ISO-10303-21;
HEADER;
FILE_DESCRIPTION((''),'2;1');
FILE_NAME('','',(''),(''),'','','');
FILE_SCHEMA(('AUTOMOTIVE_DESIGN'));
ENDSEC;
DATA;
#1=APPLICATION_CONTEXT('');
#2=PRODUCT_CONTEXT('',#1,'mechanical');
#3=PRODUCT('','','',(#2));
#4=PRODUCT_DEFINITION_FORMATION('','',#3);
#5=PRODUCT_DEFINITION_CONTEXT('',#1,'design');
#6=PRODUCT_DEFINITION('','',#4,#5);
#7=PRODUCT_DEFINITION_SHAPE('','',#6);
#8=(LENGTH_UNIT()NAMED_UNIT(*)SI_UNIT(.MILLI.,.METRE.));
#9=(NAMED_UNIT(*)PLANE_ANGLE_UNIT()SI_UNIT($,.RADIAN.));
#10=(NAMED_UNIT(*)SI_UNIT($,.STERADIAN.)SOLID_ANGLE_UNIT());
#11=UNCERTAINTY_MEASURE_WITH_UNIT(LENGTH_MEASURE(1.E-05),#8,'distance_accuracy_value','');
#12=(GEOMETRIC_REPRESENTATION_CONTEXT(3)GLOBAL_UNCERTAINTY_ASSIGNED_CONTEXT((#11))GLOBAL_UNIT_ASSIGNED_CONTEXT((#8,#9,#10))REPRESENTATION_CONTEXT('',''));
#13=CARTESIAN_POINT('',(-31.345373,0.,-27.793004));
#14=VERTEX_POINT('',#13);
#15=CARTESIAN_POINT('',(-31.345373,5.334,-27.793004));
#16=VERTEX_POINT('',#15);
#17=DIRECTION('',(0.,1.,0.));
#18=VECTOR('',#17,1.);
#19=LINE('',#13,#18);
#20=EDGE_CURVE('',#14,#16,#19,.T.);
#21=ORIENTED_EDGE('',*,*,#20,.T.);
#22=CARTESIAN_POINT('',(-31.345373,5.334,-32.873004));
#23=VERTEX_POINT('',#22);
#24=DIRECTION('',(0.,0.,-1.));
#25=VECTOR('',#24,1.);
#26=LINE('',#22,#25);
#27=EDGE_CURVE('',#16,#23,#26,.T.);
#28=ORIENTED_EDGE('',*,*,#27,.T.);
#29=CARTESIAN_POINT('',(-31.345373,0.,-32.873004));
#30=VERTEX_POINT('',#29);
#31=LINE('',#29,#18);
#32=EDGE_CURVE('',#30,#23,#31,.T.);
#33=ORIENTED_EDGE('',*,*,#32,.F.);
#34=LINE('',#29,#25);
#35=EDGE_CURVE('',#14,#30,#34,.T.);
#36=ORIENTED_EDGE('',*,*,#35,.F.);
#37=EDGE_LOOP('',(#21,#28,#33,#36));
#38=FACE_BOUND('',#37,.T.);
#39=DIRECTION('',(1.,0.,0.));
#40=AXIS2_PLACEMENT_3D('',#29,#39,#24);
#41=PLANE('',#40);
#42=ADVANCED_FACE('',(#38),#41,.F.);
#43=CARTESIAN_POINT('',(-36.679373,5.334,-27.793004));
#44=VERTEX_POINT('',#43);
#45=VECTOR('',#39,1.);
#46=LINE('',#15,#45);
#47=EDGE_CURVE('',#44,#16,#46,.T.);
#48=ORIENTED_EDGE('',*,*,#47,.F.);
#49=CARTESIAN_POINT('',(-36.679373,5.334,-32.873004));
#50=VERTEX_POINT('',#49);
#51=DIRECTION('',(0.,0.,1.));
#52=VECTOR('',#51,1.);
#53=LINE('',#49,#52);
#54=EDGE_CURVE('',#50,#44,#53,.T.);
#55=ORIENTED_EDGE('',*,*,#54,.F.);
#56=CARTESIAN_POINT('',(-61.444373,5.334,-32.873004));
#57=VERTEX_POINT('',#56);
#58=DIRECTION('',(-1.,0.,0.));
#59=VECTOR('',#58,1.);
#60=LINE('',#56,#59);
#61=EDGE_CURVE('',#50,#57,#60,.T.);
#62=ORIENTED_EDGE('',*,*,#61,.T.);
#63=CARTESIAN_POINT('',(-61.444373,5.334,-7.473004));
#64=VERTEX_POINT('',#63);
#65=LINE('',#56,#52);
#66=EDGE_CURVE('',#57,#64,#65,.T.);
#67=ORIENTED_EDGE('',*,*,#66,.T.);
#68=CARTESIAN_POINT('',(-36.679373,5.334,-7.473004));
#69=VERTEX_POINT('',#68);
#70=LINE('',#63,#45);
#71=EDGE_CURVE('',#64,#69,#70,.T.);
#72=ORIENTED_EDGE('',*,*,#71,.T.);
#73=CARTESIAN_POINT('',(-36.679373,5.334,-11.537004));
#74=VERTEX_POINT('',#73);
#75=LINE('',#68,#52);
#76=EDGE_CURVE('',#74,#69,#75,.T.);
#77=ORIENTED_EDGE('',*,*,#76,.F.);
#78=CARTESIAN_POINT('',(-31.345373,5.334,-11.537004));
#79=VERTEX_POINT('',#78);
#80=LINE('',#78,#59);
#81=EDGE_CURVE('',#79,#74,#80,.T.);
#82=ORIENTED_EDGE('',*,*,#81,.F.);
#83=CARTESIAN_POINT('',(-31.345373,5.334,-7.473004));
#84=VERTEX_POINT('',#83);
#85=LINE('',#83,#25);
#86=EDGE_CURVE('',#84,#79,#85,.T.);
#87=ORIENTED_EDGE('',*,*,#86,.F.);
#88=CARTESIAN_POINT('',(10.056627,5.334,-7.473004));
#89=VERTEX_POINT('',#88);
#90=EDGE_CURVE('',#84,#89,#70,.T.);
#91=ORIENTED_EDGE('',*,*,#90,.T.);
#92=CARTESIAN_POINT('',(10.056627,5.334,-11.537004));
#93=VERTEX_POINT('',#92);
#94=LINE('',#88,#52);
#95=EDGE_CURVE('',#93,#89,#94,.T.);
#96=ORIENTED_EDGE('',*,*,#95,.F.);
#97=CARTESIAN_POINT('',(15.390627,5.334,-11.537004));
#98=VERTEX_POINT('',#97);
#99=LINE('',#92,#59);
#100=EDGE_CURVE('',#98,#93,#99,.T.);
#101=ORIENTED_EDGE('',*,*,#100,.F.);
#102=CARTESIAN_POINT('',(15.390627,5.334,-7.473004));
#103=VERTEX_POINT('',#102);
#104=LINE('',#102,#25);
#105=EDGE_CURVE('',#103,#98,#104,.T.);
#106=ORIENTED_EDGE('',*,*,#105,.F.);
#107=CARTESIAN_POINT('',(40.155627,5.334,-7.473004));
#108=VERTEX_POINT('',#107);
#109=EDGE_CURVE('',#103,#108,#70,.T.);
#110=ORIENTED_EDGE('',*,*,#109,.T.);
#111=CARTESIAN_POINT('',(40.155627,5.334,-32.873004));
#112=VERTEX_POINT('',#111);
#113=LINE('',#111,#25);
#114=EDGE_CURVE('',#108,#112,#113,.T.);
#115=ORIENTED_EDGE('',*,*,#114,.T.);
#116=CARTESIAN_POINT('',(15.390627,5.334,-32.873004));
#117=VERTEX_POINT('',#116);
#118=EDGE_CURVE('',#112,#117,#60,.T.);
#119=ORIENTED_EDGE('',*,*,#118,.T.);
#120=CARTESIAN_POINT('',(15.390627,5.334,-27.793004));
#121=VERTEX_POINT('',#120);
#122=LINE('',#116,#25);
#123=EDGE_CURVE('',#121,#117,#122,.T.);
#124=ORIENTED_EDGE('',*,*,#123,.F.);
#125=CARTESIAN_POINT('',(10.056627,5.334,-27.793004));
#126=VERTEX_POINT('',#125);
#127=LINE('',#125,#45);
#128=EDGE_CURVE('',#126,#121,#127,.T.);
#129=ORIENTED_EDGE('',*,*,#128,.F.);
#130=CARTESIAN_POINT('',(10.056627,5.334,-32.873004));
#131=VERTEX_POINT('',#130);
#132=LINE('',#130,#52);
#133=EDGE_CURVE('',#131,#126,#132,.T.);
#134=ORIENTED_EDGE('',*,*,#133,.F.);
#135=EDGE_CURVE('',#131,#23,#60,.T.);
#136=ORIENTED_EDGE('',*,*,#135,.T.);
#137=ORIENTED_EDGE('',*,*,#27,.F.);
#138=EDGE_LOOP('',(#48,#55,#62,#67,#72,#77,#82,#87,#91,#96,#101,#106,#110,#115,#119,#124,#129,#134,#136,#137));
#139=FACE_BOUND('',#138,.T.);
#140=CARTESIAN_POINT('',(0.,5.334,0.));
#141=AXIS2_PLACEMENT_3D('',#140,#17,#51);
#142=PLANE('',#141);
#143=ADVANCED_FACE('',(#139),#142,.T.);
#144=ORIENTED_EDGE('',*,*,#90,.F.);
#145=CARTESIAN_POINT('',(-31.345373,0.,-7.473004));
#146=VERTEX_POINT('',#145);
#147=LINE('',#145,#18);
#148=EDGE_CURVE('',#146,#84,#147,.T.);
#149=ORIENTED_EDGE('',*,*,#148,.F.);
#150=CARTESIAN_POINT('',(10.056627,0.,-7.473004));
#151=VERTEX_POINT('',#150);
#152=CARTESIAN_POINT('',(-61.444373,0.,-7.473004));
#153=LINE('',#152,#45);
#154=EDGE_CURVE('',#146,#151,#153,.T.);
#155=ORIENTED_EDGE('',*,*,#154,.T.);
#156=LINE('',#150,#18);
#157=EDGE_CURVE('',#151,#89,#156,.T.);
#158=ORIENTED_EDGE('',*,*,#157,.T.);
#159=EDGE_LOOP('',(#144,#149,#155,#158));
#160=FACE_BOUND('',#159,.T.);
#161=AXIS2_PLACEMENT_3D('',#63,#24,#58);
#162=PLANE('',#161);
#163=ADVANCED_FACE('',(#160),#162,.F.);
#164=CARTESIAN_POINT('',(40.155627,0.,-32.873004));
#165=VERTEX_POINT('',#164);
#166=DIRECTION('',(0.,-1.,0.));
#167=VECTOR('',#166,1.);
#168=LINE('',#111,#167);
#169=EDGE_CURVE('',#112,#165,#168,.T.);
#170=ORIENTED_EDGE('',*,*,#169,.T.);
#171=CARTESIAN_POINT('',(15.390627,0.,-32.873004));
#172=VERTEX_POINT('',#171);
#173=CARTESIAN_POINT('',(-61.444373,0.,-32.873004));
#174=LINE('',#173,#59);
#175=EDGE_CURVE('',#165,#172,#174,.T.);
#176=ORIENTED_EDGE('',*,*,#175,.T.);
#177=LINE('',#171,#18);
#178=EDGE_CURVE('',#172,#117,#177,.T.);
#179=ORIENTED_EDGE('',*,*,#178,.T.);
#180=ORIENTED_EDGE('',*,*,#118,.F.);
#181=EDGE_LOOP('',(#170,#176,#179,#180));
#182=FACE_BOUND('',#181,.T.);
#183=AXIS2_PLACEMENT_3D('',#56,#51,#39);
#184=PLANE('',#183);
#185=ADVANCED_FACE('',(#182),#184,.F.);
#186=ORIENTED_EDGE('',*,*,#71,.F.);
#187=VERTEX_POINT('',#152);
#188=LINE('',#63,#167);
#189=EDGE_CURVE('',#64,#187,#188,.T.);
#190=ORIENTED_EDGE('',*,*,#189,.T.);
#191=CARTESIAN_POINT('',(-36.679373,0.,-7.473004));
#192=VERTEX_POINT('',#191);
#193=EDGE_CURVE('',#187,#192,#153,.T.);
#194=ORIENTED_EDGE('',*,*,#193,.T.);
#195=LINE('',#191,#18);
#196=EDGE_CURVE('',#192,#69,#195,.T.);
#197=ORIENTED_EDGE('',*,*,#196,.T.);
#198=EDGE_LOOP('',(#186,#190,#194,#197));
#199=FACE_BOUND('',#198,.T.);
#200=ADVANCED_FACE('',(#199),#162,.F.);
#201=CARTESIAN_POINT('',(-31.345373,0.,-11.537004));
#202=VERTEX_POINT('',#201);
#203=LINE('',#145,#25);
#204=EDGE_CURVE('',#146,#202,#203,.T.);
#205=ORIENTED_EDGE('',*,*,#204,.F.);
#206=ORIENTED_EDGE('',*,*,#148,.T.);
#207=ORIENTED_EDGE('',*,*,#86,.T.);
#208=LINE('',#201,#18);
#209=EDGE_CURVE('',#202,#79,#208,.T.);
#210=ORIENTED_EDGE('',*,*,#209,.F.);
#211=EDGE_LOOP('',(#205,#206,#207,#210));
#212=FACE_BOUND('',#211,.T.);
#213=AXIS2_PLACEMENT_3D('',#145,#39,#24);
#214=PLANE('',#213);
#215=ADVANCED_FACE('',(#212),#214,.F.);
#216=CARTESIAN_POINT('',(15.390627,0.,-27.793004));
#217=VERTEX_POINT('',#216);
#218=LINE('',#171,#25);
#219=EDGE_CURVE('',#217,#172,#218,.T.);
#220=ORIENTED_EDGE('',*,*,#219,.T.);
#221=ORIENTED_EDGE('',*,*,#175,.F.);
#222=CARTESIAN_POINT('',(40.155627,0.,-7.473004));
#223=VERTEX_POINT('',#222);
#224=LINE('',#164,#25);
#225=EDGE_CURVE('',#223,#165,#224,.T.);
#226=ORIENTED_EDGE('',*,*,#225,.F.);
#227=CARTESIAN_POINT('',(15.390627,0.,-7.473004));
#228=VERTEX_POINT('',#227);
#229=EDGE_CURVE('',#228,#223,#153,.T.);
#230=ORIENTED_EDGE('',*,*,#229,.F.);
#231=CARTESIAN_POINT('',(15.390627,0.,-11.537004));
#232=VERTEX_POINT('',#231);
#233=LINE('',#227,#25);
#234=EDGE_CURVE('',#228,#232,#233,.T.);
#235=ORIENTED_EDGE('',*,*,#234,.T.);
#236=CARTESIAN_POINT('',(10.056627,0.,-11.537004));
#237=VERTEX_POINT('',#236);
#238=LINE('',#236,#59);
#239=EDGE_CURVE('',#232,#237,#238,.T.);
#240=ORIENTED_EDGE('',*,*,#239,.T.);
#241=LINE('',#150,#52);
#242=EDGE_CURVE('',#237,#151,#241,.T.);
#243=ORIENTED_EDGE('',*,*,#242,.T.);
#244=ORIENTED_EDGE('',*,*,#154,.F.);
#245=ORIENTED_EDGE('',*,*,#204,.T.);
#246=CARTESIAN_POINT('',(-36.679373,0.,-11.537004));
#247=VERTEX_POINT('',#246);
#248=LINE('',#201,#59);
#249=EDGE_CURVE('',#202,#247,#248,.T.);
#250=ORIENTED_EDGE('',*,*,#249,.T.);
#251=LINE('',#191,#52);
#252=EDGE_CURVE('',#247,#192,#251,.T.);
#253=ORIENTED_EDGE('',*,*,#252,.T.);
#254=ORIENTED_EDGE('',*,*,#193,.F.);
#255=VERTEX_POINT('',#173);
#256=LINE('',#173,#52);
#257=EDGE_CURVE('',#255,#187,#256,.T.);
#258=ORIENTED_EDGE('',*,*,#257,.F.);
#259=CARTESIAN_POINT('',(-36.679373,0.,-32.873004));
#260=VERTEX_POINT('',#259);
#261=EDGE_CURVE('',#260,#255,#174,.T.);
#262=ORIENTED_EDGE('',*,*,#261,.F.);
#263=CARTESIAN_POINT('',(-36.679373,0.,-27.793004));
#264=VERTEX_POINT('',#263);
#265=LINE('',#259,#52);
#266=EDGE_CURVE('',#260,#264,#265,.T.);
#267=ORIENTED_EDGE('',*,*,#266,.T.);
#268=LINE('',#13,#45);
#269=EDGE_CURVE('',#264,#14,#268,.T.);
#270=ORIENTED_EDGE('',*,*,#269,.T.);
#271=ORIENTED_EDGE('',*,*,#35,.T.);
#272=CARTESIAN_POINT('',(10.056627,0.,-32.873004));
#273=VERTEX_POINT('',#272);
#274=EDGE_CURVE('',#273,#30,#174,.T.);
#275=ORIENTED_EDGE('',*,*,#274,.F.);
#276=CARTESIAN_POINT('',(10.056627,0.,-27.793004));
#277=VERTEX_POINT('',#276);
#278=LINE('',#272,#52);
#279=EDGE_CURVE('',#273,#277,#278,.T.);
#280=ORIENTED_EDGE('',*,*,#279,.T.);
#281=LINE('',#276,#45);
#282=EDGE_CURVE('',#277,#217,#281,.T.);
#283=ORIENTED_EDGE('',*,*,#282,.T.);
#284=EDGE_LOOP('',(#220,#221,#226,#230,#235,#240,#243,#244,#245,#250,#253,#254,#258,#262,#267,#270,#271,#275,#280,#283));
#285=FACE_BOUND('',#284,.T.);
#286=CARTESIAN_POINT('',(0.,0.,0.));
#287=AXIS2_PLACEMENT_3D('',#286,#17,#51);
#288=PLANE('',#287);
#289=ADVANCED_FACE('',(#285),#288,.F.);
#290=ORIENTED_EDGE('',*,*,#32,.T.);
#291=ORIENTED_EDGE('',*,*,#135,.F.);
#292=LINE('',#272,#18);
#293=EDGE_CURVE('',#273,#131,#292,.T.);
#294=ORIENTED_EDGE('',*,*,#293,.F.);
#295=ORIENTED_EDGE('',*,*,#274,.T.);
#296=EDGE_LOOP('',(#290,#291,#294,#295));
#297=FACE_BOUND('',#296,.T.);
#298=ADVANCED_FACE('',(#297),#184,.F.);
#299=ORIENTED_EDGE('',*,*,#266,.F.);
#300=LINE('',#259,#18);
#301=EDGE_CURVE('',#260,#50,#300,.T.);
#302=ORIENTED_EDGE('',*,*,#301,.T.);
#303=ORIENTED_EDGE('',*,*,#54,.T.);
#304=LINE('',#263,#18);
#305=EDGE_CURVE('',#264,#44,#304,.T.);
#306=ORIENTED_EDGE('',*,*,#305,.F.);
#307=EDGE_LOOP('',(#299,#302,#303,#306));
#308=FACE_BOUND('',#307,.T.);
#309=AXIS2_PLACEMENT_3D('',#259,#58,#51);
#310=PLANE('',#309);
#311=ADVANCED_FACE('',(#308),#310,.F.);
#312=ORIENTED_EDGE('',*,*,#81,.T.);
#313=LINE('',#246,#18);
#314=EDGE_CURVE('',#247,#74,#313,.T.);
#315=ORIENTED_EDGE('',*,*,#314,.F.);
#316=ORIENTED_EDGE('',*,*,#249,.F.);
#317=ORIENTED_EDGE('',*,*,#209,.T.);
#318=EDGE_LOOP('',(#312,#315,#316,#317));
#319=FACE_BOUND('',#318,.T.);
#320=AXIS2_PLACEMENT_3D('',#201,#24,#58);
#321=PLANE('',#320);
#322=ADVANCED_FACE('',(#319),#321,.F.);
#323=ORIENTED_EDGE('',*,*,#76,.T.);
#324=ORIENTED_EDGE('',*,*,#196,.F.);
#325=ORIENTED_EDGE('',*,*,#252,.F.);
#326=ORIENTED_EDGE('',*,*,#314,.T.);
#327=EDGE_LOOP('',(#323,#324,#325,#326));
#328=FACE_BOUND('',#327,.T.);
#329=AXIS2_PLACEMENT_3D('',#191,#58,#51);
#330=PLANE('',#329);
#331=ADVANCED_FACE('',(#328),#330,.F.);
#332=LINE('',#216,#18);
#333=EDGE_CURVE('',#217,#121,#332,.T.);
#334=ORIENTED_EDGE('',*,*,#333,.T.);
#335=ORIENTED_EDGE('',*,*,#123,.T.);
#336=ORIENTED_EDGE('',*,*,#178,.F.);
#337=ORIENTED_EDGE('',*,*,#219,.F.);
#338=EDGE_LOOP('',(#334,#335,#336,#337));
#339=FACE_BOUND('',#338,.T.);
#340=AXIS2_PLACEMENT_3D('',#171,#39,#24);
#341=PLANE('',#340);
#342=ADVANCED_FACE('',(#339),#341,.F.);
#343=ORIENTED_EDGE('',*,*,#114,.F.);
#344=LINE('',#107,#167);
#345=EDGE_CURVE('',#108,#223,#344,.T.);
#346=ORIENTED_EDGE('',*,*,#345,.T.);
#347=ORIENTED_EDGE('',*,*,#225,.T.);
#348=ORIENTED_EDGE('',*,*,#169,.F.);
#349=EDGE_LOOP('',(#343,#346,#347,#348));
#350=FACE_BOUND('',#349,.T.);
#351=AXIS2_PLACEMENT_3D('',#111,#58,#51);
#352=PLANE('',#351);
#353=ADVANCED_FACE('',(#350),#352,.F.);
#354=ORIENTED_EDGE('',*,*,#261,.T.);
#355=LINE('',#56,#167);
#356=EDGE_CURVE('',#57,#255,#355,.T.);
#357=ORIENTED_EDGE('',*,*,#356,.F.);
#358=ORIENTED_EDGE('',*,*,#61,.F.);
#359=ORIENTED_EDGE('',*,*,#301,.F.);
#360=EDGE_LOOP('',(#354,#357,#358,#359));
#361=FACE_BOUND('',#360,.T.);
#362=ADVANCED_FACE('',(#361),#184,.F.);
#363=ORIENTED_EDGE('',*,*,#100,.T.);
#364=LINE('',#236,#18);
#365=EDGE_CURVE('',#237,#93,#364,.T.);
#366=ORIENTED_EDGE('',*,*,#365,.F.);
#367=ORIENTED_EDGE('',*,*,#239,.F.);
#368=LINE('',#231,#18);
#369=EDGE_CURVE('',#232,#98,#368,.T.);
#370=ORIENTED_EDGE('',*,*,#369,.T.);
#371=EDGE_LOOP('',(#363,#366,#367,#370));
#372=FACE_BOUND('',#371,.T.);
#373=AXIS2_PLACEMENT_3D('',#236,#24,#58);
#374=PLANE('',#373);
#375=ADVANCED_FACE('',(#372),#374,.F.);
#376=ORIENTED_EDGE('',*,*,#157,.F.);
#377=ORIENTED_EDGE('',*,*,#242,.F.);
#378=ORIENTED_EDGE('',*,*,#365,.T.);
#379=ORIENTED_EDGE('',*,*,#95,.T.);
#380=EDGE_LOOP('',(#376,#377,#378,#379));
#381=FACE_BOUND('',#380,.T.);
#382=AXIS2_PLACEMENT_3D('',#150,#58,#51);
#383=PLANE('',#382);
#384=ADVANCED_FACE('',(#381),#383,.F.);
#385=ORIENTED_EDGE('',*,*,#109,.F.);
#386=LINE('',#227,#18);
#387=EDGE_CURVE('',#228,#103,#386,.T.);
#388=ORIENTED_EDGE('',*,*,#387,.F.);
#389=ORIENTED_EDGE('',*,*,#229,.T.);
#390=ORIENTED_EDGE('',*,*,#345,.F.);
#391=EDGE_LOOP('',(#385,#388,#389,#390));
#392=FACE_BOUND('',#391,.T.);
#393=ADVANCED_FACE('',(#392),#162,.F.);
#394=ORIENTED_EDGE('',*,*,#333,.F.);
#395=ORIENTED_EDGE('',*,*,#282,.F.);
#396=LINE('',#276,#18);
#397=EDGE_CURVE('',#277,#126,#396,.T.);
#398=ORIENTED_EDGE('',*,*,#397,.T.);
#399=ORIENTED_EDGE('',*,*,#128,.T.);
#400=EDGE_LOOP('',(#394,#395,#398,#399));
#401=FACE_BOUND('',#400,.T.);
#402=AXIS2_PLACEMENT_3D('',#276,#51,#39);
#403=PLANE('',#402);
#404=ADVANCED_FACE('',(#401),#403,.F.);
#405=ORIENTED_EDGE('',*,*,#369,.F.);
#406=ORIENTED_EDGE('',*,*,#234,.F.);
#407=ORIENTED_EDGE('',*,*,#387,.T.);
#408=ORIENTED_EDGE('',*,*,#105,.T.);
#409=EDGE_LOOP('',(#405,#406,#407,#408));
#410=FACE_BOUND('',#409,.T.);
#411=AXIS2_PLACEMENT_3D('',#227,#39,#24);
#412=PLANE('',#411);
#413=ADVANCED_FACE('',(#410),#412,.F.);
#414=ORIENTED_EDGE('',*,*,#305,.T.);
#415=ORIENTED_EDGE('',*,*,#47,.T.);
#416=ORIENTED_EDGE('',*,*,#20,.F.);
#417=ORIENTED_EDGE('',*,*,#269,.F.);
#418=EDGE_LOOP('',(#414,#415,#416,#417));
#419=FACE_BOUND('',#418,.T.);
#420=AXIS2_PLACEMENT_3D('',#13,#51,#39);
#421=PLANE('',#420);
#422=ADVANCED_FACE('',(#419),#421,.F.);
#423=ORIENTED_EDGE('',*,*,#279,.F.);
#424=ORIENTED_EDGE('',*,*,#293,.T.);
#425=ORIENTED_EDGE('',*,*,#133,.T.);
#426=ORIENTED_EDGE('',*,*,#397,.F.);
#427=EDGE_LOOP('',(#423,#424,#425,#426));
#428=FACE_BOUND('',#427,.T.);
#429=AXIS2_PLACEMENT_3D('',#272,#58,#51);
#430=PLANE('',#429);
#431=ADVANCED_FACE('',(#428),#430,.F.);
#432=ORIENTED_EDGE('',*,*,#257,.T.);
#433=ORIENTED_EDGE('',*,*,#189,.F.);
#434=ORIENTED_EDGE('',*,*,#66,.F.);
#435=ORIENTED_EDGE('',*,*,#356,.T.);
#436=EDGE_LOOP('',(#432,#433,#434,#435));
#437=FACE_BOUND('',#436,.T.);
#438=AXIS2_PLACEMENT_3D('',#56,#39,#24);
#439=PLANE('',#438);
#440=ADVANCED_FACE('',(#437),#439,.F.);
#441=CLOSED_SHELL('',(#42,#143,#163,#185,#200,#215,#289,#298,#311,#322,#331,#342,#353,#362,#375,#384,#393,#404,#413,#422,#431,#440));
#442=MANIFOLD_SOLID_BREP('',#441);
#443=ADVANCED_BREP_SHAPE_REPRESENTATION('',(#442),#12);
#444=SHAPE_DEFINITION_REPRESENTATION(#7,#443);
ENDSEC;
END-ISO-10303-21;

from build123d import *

# Parameters (mm, degrees)
SKETCH1_W           = 101.6
SKETCH1_H           = 25.4
BOSS_EXTRUDE1_DEPTH = 5.334
SKETCH2_W           = 5.334
SKETCH2_H           = 4.064
SKETCH2_H_2         = 5.08
CUT_EXTRUDE1_DEPTH  = 70.889176382


with BuildPart() as part:
    # Sketch1 → Boss-Extrude1 (new body)
    with BuildSketch(Plane(origin=(0, 0, 0), x_dir=(1, 0, 0), z_dir=(0, 1, 0))):
        with Locations((-10.644373227, 20.173004398)):
            Rectangle(SKETCH1_W, SKETCH1_H)
    extrude(amount=BOSS_EXTRUDE1_DEPTH)

    # Sketch2 → Cut-Extrude1 (cut, through all)
    with BuildSketch(Plane(origin=(0, 5.334, 0), x_dir=(1, 0, 0), z_dir=(0, 1, 0))):
        with Locations((-34.012373227, 9.505004398)):
            Rectangle(SKETCH2_W, SKETCH2_H)
        with Locations((12.723626773, 30.333004398)):
            Rectangle(SKETCH2_W, SKETCH2_H_2)
        with Locations((12.723626773, 9.505004398)):
            Rectangle(SKETCH2_W, SKETCH2_H)
        with Locations((-34.012373227, 30.333004398)):
            Rectangle(SKETCH2_W, SKETCH2_H_2)
    extrude(amount=-CUT_EXTRUDE1_DEPTH, mode=Mode.SUBTRACT)


solid = part.part
